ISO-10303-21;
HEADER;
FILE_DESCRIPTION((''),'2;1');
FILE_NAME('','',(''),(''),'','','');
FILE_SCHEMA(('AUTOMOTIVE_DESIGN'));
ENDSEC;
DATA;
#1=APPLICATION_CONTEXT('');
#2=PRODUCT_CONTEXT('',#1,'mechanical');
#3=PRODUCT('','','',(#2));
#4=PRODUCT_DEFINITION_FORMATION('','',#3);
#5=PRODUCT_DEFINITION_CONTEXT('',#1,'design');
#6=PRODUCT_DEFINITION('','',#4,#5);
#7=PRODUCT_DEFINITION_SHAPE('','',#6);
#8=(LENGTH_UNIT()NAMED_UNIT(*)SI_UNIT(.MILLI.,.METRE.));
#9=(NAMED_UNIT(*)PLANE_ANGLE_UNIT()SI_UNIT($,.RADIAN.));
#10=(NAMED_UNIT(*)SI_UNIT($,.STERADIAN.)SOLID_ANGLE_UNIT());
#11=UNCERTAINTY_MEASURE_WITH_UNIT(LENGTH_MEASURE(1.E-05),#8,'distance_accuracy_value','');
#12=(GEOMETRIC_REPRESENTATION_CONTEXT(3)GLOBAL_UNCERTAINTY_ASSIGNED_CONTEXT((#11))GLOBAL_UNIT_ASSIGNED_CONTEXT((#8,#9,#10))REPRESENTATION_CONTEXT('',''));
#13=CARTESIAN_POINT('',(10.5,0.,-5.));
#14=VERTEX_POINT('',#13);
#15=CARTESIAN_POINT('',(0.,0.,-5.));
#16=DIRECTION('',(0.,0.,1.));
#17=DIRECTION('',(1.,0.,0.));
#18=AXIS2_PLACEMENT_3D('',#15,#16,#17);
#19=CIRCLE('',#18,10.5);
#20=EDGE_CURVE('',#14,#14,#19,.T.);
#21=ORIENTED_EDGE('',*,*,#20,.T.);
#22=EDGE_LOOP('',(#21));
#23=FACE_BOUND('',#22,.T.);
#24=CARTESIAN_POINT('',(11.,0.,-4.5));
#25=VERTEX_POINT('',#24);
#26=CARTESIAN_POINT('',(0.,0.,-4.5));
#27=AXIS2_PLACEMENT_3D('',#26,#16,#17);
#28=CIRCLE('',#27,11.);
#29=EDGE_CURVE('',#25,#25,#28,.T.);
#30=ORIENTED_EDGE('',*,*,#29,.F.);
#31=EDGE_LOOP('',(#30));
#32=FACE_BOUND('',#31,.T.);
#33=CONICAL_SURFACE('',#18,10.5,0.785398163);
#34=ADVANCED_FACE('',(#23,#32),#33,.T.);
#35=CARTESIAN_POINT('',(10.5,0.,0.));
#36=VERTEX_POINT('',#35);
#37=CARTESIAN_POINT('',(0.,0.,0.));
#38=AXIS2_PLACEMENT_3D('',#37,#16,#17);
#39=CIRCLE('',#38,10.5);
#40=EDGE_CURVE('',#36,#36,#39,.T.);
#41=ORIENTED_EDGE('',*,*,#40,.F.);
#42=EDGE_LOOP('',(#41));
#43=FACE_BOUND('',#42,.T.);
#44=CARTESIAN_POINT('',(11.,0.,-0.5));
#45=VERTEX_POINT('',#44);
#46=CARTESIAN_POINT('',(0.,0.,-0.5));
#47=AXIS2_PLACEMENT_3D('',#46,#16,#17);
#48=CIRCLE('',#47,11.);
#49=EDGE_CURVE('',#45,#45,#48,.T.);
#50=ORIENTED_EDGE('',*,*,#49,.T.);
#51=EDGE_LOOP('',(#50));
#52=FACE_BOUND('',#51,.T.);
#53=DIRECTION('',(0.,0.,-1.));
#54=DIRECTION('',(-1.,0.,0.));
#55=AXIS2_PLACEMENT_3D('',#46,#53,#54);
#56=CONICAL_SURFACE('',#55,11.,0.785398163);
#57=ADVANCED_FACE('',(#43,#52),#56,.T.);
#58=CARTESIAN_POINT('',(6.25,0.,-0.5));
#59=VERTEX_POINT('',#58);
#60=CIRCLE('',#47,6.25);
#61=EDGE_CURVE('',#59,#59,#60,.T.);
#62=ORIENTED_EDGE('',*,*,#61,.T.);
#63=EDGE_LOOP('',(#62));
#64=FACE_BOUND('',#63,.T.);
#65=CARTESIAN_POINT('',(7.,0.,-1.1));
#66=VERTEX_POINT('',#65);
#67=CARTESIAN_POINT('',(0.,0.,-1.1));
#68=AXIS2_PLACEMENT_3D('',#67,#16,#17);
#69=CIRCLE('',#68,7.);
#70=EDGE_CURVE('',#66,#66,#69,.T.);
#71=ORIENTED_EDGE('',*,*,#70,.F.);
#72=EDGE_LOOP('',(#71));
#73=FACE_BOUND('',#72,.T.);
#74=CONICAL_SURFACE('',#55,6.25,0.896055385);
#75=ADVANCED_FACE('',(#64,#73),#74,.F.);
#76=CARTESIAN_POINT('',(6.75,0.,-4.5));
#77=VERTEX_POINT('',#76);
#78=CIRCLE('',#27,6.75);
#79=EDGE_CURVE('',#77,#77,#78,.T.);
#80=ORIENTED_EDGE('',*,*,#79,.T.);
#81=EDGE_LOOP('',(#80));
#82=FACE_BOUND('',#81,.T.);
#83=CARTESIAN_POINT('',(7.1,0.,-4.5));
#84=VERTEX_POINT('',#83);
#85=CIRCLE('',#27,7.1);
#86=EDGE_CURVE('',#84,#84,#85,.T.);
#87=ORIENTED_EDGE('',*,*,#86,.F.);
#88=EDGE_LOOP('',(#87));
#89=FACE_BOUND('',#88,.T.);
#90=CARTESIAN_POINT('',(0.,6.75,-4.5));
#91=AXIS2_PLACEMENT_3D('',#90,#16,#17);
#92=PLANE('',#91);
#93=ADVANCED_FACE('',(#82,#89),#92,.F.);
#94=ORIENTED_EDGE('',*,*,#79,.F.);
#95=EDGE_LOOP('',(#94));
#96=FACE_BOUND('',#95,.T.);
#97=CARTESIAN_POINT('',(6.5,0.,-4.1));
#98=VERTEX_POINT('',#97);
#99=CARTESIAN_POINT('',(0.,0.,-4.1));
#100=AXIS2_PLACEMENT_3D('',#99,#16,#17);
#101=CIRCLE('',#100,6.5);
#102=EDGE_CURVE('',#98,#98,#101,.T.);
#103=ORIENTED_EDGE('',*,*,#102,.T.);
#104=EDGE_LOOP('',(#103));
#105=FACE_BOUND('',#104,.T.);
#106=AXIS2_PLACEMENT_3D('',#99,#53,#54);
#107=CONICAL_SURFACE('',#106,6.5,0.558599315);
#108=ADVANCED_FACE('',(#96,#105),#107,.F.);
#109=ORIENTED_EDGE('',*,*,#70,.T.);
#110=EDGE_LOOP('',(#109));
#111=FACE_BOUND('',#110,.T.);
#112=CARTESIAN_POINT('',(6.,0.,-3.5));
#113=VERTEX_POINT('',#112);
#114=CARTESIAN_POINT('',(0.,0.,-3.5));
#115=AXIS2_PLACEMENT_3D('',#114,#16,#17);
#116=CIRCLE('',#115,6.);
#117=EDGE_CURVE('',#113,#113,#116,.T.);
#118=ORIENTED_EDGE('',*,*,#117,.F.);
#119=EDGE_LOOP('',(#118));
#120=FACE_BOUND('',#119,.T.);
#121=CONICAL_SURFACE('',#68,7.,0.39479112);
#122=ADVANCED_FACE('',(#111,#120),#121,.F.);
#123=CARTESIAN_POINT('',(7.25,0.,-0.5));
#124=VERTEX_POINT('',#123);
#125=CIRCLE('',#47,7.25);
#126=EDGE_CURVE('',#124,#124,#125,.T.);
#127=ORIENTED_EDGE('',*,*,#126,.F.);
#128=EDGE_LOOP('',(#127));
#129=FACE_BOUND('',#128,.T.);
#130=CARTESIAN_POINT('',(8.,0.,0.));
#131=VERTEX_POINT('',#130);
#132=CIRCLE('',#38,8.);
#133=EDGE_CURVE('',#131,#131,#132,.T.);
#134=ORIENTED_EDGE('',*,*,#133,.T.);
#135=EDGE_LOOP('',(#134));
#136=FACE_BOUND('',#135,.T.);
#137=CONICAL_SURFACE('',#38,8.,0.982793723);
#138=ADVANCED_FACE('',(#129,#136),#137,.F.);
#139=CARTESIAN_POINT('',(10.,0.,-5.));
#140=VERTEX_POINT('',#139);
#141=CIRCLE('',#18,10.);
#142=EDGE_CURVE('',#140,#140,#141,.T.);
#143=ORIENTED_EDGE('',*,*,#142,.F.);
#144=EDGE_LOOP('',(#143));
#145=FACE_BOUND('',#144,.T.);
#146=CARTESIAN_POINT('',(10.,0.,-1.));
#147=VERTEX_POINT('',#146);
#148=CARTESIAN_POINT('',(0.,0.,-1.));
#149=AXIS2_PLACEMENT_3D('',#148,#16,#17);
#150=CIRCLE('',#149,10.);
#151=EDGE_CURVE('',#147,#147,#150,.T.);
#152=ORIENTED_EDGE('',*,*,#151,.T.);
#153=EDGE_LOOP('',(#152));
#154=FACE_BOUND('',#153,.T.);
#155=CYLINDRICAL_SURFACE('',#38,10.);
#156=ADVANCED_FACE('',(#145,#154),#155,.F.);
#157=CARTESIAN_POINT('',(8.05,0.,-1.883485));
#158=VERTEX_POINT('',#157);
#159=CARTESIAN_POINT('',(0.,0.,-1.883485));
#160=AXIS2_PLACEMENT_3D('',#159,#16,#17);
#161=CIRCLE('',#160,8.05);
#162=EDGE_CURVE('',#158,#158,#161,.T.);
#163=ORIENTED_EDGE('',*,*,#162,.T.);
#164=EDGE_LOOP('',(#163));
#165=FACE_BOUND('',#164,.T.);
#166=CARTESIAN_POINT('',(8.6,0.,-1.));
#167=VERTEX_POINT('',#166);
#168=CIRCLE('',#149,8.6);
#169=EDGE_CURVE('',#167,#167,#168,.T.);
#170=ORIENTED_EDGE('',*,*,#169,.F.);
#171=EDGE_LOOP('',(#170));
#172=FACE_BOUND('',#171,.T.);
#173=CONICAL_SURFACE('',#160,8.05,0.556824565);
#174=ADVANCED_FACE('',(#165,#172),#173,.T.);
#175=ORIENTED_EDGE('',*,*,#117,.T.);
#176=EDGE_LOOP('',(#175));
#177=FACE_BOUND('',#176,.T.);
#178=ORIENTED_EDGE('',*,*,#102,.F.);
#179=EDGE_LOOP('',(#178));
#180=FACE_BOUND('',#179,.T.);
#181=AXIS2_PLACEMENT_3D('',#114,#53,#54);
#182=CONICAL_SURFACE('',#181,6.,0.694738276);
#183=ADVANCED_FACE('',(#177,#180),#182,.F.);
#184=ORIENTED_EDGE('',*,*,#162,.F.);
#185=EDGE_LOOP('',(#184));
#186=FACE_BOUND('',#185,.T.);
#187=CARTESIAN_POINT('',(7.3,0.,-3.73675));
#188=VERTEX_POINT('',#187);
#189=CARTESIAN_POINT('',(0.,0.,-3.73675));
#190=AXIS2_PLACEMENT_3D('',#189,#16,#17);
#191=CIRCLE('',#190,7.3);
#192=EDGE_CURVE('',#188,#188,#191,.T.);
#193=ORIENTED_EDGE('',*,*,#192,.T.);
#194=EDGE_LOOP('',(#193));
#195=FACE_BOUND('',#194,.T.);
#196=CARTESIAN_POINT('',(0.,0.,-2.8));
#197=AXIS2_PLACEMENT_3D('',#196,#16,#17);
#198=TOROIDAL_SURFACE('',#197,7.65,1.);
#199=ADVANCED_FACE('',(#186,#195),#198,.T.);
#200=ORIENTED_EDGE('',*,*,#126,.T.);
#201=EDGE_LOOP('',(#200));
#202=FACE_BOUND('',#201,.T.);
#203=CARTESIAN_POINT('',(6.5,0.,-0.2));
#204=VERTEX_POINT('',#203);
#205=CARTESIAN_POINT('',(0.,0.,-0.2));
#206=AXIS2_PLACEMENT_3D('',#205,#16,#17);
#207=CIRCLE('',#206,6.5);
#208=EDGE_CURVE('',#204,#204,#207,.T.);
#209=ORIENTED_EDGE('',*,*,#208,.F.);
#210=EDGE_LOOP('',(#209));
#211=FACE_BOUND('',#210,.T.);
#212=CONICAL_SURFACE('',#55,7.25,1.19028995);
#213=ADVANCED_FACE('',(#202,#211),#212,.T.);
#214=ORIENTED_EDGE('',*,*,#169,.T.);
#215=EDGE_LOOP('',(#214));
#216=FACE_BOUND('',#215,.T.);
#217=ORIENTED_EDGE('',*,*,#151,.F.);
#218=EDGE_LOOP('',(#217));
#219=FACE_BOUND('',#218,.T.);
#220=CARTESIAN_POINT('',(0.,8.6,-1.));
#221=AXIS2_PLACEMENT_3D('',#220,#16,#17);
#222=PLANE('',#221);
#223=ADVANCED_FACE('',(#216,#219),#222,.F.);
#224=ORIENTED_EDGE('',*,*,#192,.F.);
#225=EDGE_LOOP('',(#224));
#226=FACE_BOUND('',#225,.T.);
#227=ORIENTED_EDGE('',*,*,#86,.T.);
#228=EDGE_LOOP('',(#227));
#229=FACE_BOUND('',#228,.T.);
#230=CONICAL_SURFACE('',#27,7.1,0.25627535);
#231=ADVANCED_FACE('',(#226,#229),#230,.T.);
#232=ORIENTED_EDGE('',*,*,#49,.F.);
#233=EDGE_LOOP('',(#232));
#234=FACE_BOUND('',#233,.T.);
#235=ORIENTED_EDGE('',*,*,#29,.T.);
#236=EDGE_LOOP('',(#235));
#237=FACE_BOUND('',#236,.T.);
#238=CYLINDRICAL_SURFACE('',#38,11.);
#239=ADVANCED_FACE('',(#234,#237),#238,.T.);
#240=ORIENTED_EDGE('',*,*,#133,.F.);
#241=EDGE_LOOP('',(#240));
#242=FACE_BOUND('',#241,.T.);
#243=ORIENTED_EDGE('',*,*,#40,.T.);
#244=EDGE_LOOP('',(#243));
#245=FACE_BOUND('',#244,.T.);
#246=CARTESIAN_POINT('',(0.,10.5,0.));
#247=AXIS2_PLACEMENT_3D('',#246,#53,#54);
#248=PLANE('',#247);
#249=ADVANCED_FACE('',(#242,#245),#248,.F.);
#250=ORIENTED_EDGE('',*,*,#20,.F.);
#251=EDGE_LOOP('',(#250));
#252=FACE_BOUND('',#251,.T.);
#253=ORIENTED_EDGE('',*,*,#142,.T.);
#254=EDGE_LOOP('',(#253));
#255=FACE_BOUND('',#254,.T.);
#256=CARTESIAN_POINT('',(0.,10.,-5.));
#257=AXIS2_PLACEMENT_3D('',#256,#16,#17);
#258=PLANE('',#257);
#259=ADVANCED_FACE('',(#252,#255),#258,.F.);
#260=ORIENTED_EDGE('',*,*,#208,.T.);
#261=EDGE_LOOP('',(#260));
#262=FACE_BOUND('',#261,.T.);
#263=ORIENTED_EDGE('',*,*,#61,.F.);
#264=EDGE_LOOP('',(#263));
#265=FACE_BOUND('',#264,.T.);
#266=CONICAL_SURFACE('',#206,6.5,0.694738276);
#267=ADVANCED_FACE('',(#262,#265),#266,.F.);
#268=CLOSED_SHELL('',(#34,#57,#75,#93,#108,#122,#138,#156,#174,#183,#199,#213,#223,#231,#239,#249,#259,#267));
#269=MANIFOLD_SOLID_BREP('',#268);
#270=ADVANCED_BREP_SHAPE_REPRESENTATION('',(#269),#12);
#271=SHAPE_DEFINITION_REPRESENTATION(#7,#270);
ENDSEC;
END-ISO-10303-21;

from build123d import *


with BuildPart() as part:
    # Esquisse1 → Révolution1 (revolve)
    with BuildSketch(Plane(origin=(0, 0, 0), x_dir=(0, 0, -1), z_dir=(1, 0, 0)), mode=Mode.PRIVATE) as r_volution1_sk:
        with BuildLine():
            Line((3.7367497, 7.3), (4.5, 7.1))
            Line((4.5, 7.1), (4.5, 6.75))
            Line((4.5, 6.75), (4.1, 6.5))
            Line((4.1, 6.5), (3.5, 6))
            Line((3.5, 6), (1.1, 7))
            Line((1.1, 7), (0.5, 6.25))
            Line((0.5, 6.25), (0.2, 6.5))
            Line((0.2, 6.5), (0.5, 7.25))
            Line((0.5, 7.25), (0, 8))
            Line((0, 8), (0, 10.5))
            Line((0, 10.5), (0.5, 11))
            Line((0.5, 11), (4.5, 11))
            Line((4.5, 11), (5, 10.5))
            Line((5, 10.5), (5, 10))
            Line((5, 10), (1, 10))
            Line((1, 10), (1, 8.6))
            Line((1, 8.6), (1.883484861, 8.05))
            ThreePointArc((1.883484861, 8.05), (3.175136454, 8.576969601), (3.7367497, 7.3))
        make_face()
    revolve(r_volution1_sk.sketch.rotate(Axis((0, 0, 0), (0, 0, -1)), 90), axis=Axis((0, 0, 0), (0, 0, -1)))


solid = part.part
